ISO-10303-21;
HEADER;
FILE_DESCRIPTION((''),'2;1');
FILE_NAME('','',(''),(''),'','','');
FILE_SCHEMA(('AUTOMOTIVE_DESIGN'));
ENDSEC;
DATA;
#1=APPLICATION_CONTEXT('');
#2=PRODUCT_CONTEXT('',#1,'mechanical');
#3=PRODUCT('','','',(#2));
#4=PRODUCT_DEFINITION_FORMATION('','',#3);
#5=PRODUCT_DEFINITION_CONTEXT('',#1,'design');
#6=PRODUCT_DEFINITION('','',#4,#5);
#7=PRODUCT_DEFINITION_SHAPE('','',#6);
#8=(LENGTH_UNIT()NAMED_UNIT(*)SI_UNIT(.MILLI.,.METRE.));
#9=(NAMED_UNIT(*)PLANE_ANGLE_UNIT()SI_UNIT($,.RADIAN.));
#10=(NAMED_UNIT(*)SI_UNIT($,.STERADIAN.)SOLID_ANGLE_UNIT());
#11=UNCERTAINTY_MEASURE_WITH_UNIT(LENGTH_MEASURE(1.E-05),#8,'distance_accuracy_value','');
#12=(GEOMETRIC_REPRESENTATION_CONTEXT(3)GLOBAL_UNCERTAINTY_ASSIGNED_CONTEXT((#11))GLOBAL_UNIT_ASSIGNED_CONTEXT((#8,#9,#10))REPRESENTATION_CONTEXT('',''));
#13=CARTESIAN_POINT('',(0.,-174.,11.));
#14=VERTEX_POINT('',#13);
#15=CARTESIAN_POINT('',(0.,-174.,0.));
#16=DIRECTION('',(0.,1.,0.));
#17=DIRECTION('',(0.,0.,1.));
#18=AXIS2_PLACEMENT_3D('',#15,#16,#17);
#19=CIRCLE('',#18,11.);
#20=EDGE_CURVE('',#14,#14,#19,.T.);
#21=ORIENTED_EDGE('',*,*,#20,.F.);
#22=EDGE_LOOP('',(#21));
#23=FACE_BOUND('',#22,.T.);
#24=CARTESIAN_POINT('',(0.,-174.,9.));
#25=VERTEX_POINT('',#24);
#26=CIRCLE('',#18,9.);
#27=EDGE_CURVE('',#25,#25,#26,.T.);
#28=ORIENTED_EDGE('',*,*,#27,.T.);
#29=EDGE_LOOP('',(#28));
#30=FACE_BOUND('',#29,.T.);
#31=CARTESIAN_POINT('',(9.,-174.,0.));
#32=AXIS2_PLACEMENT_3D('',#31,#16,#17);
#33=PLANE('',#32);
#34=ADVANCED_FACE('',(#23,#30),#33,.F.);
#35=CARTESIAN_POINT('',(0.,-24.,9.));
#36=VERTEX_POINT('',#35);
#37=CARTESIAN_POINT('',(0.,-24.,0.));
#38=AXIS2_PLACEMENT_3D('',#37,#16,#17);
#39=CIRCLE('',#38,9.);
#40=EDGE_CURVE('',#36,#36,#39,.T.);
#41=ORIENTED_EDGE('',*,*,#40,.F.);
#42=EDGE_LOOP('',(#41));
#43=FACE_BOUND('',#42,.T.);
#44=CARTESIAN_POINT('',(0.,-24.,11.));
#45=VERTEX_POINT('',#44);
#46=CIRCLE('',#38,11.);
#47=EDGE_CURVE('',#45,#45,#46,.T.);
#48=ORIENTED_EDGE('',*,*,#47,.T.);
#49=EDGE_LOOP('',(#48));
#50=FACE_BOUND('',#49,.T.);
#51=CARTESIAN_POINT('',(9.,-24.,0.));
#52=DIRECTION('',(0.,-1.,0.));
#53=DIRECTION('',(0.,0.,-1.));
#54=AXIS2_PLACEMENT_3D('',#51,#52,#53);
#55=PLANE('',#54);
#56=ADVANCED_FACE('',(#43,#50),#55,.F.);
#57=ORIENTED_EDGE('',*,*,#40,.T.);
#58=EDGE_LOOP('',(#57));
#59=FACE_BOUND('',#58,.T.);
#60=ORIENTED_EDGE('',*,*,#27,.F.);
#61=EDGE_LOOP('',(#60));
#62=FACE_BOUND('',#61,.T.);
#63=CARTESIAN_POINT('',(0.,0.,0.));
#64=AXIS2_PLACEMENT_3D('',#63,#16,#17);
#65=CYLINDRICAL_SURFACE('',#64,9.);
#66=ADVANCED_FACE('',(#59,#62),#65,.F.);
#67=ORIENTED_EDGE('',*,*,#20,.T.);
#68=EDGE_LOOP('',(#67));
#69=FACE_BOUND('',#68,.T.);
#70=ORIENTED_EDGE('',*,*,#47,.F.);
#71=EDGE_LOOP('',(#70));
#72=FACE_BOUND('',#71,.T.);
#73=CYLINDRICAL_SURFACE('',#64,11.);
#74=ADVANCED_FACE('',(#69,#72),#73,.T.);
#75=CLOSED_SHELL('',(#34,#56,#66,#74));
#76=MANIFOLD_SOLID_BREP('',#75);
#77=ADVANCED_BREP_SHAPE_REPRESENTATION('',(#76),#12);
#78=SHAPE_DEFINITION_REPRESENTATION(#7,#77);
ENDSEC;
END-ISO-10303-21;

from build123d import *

# Parameters (mm, degrees)
ESQUISSE1_W = 2
ESQUISSE1_H = 150


with BuildPart() as part:
    # Esquisse1 → Base-Révolution (revolve)
    with BuildSketch(Plane.XY, mode=Mode.PRIVATE) as base_r_volution_sk:
        with Locations((10, -99)):
            Rectangle(ESQUISSE1_W, ESQUISSE1_H)
    revolve(base_r_volution_sk.sketch.rotate(Axis((0, 0, 0), (0, -1, 0)), 90), axis=Axis((0, 0, 0), (0, -1, 0)))


solid = part.part
